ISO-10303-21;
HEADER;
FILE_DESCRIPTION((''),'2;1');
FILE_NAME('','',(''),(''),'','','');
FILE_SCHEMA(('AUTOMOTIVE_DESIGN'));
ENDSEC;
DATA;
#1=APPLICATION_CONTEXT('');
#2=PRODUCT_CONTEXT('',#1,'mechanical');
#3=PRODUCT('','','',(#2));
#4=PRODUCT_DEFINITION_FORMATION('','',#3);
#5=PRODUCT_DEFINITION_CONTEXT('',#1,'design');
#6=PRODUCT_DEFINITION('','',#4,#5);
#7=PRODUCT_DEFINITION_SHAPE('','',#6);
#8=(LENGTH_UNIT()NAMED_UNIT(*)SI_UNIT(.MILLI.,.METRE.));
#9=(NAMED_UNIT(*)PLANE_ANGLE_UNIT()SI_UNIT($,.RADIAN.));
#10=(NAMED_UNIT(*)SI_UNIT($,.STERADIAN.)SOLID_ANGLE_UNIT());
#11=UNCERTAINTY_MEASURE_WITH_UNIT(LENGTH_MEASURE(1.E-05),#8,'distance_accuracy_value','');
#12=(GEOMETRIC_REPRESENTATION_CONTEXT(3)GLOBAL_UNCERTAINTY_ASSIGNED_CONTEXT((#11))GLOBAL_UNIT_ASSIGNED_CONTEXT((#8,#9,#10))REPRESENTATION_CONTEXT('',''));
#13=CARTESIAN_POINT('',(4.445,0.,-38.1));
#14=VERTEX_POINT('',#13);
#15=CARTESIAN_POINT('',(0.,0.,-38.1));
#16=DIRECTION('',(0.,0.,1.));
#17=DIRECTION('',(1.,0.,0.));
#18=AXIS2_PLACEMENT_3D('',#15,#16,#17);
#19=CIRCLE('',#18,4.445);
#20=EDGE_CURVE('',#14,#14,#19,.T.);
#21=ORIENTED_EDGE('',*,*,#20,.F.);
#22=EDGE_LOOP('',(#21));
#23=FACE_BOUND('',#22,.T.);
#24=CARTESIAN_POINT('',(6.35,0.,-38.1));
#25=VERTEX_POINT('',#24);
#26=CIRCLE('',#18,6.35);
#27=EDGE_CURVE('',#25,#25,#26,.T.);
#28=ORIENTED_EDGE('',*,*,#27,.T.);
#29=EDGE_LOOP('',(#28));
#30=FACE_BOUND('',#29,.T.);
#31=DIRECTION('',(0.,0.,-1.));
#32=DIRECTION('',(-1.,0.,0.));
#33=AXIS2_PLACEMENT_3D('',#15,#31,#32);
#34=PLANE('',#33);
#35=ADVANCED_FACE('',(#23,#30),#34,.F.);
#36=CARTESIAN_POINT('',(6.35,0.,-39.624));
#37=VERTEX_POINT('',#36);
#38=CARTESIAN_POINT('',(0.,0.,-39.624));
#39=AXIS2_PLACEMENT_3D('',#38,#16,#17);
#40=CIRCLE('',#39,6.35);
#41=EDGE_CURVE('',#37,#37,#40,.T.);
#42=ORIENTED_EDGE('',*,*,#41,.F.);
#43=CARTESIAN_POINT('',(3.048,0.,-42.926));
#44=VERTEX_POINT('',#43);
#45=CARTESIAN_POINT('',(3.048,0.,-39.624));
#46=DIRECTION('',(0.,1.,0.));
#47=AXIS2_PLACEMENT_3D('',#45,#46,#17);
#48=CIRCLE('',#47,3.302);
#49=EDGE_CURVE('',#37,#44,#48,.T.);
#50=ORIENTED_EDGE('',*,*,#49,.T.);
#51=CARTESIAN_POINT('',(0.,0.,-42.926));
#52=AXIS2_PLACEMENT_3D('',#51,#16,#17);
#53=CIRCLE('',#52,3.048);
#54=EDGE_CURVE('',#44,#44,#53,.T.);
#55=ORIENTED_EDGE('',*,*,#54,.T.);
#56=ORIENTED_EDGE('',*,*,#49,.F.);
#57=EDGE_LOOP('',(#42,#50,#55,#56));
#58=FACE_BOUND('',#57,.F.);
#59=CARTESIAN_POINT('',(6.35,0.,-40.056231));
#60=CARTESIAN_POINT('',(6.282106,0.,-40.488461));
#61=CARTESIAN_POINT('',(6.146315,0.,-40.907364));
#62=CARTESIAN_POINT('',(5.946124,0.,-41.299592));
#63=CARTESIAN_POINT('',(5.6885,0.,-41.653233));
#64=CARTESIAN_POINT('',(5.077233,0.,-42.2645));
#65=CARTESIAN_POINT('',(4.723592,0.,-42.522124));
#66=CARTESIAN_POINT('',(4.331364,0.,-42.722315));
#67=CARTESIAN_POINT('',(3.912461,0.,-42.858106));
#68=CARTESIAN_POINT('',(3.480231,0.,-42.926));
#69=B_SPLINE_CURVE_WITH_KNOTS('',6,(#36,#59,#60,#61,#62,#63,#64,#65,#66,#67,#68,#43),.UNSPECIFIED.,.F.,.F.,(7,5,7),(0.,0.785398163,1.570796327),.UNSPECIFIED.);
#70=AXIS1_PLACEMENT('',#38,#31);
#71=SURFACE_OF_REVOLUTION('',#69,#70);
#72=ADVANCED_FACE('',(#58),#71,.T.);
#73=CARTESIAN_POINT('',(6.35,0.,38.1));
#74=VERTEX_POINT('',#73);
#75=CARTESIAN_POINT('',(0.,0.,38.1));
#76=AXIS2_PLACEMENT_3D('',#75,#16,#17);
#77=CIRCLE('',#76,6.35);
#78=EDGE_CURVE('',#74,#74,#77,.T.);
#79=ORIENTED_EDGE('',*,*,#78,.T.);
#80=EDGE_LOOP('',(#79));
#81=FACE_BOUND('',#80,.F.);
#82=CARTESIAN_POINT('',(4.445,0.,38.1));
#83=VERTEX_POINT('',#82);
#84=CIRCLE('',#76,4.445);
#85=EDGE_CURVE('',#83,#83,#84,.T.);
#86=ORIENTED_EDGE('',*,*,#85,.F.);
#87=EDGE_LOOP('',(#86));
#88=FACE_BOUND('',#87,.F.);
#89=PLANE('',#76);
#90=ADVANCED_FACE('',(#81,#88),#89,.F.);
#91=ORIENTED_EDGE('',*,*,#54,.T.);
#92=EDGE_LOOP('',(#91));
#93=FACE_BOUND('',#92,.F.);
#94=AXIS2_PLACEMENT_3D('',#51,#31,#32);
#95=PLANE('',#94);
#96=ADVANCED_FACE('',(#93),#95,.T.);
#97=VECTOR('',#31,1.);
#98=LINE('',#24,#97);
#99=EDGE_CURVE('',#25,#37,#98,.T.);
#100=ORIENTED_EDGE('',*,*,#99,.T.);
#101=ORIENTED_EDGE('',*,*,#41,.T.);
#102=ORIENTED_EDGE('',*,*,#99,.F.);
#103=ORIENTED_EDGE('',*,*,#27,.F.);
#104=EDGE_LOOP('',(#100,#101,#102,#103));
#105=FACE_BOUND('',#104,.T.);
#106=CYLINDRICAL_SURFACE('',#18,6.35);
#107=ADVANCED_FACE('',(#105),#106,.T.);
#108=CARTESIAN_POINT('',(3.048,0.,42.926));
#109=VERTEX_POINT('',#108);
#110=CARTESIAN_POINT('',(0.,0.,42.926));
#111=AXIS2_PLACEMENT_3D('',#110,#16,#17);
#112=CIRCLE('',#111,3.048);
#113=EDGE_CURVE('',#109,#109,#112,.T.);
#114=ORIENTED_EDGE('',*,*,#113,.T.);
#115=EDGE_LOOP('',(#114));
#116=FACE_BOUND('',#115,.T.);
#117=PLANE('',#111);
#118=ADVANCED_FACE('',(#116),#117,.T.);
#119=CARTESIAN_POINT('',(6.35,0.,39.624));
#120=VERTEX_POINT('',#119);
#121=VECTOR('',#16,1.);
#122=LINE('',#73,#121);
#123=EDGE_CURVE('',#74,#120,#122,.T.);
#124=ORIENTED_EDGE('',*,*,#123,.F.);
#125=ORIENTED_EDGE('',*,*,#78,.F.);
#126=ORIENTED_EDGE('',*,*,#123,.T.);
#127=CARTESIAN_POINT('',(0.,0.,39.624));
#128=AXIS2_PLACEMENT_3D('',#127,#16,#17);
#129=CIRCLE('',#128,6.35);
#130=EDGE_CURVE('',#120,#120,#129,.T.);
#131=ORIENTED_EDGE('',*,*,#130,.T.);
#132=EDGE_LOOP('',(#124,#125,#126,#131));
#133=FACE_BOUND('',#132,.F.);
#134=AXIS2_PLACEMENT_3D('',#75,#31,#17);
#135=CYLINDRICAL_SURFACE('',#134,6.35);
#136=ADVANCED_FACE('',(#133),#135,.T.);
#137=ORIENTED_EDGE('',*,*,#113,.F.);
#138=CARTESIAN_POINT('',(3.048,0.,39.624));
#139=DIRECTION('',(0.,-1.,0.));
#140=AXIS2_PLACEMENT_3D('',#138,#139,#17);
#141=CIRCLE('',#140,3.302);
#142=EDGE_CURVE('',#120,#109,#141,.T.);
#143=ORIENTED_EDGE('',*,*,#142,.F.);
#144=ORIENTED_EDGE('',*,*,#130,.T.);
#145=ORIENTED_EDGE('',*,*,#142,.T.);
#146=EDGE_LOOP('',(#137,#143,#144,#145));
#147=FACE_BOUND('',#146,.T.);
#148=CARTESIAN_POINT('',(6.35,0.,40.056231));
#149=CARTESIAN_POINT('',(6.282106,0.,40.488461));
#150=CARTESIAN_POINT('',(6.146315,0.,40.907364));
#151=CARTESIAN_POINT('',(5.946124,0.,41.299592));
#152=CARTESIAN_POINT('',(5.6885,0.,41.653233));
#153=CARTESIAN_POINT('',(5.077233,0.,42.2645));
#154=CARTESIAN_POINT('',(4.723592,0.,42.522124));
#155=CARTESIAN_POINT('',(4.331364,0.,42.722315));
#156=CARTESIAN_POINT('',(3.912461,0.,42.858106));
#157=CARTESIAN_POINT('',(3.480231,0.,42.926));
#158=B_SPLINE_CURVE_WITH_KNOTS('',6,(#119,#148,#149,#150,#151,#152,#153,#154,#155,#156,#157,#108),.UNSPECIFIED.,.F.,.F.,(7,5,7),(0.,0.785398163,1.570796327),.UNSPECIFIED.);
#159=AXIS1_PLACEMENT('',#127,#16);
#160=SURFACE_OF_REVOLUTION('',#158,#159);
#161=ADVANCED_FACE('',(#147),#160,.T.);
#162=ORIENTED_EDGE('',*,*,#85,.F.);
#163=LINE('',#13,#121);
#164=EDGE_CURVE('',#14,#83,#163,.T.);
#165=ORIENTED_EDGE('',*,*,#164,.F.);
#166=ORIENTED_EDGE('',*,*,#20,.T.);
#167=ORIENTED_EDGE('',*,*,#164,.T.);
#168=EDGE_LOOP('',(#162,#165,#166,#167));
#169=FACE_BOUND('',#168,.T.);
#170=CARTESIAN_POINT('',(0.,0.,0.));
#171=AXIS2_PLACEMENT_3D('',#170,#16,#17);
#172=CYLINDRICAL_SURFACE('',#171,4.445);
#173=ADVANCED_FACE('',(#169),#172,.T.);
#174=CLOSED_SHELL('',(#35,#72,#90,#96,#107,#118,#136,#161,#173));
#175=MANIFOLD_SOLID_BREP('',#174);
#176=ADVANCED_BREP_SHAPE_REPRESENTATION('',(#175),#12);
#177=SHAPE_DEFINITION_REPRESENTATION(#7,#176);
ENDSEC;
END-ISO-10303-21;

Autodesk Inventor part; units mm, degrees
ref_plane "YZ Plane" through (0, 0, 0) normal (1, 0, 0) x (0, 1, 0)
ref_plane "XZ Plane" through (0, 0, 0) normal (0, 1, 0) x (-1, 0, 0)
ref_plane "XY Plane" through (0, 0, 0) normal (0, 0, 1) x (1, 0, 0)
sketch "Sketch1" plane through (0, 0, 0) normal (0, 0, 1) x (1, 0, 0)
  circle A0 centre (0, 0) radius 4.445
  dimension "d0" = 8.89
extrude "Extrusion1" add sketch "Sketch1" along normal mid plane 76.2
sketch "Sketch2" plane through (0, 0, 38.1) normal (0, 0, 1) x (1, 0, 0)
  circle A0 centre (0, 0) radius 6.35
  dimension "d3" = 12.7
extrude "Extrusion2" add sketch "Sketch2" along normal blind 4.826
fillet "Fillet1" radius 3.302 1 edges at (-6.35, 0, 42.926)
mirror "Mirror1" about plane through (0, 0, 0) normal (0, 0, 1) of "Extrusion2", "Fillet1"
properties part number "3 Inch Pin"
